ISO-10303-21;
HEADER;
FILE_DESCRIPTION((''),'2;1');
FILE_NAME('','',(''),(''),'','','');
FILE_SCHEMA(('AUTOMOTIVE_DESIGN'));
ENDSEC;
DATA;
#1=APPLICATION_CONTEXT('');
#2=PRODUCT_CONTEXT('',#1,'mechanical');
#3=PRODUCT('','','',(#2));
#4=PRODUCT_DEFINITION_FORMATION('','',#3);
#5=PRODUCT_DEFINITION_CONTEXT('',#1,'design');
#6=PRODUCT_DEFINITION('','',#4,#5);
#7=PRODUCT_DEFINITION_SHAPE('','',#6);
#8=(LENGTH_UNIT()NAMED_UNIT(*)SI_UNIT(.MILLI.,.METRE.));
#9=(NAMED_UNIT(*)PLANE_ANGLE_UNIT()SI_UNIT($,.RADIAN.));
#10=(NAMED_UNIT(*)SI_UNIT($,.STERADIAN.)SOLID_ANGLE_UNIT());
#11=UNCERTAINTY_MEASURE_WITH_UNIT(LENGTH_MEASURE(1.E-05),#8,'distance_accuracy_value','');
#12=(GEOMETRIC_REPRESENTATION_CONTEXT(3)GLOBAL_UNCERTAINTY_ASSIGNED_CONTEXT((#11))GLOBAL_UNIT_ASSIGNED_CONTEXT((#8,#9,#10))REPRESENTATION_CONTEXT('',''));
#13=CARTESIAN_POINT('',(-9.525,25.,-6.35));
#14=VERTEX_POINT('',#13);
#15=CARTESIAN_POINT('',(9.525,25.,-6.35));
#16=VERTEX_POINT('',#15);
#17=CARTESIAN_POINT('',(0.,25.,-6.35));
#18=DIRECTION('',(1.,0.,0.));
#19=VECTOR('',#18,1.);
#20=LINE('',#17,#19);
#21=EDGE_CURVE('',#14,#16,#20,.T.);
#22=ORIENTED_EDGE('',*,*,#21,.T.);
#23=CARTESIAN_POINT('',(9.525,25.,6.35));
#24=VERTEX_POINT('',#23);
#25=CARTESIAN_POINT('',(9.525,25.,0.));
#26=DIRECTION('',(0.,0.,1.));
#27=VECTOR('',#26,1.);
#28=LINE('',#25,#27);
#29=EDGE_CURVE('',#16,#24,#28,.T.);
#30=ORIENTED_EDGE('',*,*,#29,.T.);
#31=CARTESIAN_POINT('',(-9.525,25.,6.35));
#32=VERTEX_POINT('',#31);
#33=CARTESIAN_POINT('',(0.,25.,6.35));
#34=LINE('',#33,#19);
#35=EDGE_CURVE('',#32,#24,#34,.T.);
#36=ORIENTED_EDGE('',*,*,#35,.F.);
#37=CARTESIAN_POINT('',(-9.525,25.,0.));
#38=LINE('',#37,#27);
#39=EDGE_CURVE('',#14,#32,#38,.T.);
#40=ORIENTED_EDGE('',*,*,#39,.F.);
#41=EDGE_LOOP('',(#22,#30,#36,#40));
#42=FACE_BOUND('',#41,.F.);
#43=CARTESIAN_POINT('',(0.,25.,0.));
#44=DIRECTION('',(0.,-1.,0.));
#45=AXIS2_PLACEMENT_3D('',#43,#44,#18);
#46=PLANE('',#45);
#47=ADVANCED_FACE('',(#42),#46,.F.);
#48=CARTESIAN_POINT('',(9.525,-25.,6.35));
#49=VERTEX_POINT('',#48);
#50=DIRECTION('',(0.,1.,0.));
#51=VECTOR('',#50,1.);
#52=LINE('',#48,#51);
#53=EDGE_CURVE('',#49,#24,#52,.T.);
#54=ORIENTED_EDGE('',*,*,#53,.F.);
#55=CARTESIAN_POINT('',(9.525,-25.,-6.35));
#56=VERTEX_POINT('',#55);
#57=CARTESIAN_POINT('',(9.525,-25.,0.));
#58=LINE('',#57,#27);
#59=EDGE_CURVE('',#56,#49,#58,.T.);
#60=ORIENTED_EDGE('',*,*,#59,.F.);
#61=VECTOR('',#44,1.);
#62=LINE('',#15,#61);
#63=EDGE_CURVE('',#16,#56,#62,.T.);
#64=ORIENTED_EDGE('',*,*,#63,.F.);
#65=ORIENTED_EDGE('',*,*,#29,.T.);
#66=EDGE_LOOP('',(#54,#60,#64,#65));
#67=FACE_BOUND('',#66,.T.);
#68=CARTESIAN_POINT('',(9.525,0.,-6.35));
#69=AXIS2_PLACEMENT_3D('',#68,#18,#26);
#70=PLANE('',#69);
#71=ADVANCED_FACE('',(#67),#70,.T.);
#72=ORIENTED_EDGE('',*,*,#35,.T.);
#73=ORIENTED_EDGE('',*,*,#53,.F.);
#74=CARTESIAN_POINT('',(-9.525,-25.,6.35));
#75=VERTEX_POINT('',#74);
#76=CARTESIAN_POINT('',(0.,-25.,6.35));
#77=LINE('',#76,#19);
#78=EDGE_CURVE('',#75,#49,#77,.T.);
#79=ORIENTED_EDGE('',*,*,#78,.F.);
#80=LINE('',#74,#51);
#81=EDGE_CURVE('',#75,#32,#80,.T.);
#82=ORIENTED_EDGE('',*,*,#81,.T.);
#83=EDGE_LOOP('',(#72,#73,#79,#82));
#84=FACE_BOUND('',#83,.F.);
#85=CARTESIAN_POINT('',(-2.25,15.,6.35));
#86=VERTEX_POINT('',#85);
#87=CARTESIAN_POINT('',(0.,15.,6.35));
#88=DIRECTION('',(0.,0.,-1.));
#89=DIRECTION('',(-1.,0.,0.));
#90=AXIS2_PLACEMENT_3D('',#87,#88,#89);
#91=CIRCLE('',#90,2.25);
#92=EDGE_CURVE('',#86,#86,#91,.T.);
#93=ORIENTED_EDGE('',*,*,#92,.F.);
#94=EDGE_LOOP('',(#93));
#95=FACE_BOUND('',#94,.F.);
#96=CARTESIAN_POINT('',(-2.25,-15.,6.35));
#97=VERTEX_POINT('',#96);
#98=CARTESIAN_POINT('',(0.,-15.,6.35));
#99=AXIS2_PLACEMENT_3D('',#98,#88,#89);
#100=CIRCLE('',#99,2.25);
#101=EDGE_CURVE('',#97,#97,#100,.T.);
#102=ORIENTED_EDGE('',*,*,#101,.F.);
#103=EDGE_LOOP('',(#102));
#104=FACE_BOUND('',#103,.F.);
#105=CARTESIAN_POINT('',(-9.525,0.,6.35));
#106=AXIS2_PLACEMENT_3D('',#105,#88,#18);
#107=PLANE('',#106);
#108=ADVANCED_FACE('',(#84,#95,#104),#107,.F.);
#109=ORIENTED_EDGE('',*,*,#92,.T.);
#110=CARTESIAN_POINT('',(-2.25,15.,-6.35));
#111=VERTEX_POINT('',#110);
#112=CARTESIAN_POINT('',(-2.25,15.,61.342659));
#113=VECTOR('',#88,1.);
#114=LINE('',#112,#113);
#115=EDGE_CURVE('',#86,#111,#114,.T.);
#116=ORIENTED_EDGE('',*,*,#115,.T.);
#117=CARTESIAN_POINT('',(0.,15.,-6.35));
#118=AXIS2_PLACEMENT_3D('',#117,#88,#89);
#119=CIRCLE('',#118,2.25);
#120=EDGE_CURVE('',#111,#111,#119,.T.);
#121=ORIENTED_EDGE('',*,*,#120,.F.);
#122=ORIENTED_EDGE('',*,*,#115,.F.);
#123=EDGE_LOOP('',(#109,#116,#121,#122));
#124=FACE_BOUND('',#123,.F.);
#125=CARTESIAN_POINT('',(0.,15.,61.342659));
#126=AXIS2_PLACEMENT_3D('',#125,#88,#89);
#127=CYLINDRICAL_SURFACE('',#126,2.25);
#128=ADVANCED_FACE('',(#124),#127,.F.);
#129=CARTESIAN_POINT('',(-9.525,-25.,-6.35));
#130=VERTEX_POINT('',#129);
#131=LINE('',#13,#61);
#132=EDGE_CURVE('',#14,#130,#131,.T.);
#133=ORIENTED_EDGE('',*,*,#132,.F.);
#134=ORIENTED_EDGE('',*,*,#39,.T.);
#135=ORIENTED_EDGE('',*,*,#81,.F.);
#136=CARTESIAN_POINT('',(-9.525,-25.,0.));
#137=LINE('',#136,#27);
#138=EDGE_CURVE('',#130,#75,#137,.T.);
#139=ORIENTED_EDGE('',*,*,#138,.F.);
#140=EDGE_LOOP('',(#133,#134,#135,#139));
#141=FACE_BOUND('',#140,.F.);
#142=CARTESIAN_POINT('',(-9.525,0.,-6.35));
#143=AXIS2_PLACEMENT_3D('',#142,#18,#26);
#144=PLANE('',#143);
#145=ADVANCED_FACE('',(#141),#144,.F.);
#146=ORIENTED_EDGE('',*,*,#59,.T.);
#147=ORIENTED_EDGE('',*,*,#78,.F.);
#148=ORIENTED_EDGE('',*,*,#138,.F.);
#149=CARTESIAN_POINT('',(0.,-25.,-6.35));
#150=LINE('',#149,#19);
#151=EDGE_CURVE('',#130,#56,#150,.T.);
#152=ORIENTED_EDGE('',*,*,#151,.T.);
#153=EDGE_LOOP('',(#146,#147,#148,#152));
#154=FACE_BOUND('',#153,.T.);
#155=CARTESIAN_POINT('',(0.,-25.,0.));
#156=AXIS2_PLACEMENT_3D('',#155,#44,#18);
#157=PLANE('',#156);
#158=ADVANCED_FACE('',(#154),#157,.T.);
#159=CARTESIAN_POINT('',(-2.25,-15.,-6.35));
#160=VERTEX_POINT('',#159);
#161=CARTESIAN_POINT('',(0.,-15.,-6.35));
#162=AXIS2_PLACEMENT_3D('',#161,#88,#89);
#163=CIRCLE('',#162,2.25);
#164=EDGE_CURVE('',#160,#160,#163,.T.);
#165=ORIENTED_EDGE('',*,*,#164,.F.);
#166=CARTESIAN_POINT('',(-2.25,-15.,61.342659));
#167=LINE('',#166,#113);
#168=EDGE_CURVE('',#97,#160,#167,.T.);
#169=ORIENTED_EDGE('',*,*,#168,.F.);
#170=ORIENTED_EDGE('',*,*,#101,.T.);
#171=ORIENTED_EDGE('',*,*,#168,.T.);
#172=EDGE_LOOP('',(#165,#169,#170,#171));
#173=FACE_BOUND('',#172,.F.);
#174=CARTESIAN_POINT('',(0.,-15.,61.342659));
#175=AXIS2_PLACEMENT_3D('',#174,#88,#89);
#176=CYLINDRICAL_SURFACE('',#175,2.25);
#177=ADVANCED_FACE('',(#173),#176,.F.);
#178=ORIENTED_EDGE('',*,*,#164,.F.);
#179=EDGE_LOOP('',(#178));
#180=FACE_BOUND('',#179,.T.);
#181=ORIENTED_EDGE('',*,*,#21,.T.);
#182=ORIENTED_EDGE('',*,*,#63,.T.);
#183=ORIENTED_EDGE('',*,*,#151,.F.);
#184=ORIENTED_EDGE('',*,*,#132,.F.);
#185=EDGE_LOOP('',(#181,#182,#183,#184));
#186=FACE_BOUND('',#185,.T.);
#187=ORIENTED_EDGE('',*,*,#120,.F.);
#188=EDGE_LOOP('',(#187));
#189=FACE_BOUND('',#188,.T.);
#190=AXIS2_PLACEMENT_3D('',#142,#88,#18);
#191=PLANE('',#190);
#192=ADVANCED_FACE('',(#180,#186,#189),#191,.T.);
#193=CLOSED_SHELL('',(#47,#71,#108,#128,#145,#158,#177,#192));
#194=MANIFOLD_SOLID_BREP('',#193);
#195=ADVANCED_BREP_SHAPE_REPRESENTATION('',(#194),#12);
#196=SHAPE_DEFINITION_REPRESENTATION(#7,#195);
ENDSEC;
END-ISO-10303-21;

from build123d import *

# Parameters (mm, degrees)
F0_W     = 19.05
F0_H     = 12.7
F1_DEPTH = 25
F3_D     = 4.5


with BuildPart() as f1:
    # F0 (on Front) → F1 (new body, symmetric)
    with BuildSketch(Plane.XZ):
        Rectangle(F0_W, F0_H)
    extrude(amount=F1_DEPTH, both=True)

    # F3 (through all)
    with Locations(Plane.XY.offset(6.35)):
        with Locations((0, 15), (0, -15)):
            Hole(F3_D / 2)


solid = f1.part
